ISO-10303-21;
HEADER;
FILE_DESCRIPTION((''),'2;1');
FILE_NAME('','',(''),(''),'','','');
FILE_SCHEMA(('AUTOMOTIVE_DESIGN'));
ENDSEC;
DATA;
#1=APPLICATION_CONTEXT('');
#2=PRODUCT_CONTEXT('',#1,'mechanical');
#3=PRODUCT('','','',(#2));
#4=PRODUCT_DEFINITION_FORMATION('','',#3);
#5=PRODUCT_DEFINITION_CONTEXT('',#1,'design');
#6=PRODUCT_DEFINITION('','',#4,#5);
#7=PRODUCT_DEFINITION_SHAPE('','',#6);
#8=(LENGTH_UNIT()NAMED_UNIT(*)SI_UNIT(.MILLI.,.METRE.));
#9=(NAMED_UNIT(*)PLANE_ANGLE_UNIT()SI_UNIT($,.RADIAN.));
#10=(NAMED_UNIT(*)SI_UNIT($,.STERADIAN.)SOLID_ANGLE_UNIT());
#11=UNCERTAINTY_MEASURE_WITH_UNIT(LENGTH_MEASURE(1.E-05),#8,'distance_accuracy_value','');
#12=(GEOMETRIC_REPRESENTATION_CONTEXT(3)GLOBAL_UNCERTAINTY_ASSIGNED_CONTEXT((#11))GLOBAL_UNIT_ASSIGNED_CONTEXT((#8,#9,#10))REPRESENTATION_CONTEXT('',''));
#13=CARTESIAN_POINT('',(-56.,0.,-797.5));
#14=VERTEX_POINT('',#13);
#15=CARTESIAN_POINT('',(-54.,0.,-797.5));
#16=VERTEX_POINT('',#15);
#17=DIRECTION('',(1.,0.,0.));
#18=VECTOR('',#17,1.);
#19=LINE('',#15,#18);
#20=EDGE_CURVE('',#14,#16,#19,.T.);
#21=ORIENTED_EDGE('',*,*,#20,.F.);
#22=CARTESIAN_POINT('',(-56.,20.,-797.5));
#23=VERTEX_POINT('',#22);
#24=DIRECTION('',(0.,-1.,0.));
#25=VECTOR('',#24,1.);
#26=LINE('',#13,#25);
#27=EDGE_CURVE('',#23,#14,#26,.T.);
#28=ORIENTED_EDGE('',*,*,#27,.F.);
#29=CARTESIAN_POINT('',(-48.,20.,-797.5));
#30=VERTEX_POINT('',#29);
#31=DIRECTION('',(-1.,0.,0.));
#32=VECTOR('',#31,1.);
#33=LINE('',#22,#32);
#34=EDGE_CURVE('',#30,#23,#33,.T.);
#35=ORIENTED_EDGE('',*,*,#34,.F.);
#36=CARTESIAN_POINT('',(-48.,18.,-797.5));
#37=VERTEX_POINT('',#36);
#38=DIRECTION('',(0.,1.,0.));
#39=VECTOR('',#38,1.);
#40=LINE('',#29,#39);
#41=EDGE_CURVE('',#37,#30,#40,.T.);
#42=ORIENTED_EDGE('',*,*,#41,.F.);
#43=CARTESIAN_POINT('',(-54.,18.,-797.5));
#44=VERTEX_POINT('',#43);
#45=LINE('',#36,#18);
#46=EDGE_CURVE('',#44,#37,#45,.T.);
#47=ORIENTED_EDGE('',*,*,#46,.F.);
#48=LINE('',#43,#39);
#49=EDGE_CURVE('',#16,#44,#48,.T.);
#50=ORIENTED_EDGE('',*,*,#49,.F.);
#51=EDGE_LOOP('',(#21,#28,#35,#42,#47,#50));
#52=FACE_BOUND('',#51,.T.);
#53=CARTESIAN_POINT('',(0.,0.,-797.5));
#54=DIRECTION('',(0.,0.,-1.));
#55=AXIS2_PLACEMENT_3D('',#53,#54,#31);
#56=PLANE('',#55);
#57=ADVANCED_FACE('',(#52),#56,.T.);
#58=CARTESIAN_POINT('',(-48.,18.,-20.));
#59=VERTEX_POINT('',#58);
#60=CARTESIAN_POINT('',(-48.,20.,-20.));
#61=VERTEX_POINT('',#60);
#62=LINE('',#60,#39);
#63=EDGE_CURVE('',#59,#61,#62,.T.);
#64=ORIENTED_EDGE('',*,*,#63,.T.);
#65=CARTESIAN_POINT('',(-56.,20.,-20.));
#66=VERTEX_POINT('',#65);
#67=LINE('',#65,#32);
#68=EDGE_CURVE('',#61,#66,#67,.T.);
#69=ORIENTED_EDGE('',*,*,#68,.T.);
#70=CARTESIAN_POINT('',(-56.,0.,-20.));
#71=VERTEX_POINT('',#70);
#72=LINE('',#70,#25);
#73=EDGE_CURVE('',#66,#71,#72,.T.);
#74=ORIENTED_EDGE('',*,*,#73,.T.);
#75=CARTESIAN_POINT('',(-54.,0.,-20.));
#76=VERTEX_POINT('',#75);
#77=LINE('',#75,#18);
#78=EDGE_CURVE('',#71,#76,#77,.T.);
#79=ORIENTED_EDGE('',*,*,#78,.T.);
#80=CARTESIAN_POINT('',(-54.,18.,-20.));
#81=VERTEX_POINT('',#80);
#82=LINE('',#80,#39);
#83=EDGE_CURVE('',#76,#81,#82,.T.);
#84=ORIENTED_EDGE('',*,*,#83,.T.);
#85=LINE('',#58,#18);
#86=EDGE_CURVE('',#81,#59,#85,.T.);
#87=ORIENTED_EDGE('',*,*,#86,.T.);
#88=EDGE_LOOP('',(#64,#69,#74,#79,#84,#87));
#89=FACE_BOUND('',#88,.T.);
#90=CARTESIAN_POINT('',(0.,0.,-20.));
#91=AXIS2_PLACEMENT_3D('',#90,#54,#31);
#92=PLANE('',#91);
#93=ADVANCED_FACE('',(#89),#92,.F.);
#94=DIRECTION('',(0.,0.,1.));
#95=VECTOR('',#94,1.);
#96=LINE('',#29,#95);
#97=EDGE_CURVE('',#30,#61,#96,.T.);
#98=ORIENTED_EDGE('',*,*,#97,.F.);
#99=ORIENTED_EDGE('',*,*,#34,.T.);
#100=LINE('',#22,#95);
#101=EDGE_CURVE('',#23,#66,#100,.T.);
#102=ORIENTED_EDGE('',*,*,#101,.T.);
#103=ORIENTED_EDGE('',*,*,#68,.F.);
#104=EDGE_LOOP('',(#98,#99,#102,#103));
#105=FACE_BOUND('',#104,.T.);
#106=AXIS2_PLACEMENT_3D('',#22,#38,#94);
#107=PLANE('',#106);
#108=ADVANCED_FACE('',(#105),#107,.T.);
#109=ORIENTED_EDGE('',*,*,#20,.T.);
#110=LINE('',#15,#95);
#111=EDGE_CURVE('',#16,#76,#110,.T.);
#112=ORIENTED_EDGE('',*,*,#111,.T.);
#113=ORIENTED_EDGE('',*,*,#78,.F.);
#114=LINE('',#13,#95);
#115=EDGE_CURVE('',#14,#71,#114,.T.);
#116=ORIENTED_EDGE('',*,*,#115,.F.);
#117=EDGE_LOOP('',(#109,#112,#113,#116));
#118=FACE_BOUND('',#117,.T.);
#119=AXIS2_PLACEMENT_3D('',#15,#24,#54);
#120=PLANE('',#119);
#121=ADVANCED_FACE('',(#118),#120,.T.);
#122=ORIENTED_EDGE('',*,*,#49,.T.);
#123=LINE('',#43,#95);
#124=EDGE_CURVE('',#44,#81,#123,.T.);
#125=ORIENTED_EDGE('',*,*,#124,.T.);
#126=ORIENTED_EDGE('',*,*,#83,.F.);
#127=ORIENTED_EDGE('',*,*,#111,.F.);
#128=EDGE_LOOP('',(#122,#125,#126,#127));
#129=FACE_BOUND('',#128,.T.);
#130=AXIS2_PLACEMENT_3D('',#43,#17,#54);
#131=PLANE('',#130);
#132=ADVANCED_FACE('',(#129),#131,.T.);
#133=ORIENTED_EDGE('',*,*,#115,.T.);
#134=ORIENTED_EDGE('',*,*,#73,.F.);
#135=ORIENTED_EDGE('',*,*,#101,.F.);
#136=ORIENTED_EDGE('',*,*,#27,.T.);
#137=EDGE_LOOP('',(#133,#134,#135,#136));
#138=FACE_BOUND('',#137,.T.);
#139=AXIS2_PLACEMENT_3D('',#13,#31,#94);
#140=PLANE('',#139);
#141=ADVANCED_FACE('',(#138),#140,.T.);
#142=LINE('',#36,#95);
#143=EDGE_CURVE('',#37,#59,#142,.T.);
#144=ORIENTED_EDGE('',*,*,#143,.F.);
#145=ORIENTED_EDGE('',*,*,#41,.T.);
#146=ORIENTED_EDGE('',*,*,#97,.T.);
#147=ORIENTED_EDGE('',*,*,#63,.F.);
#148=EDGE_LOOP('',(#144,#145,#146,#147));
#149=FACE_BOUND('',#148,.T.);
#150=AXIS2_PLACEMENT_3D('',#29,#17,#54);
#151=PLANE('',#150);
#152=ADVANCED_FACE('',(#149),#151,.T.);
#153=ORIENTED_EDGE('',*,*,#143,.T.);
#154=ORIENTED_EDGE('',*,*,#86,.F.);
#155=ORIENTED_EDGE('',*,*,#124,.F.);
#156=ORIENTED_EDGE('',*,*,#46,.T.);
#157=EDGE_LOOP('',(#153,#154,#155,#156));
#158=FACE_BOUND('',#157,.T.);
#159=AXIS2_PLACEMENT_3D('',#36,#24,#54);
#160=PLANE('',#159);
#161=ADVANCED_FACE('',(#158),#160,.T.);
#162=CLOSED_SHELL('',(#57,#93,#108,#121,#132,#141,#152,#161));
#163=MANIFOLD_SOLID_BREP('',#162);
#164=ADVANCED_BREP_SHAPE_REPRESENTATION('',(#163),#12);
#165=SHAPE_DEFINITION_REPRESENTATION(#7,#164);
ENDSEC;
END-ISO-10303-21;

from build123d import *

# Parameters (mm, degrees)
LRAF_SOL_20X8X2_1_START = -20
LRAF_SOL_20X8X2_1_DEPTH = 777.5


with BuildPart() as part:
    # Sketch1 → LRAF_sol_20x8x2_1 (new body)
    with BuildSketch(Plane.XY.offset(LRAF_SOL_20X8X2_1_START)):
        Polygon((-54, 0), (-56, 0), (-56, 20), (-48, 20), (-48, 18), (-54, 18), align=None)
    extrude(amount=-LRAF_SOL_20X8X2_1_DEPTH)


solid = part.part
